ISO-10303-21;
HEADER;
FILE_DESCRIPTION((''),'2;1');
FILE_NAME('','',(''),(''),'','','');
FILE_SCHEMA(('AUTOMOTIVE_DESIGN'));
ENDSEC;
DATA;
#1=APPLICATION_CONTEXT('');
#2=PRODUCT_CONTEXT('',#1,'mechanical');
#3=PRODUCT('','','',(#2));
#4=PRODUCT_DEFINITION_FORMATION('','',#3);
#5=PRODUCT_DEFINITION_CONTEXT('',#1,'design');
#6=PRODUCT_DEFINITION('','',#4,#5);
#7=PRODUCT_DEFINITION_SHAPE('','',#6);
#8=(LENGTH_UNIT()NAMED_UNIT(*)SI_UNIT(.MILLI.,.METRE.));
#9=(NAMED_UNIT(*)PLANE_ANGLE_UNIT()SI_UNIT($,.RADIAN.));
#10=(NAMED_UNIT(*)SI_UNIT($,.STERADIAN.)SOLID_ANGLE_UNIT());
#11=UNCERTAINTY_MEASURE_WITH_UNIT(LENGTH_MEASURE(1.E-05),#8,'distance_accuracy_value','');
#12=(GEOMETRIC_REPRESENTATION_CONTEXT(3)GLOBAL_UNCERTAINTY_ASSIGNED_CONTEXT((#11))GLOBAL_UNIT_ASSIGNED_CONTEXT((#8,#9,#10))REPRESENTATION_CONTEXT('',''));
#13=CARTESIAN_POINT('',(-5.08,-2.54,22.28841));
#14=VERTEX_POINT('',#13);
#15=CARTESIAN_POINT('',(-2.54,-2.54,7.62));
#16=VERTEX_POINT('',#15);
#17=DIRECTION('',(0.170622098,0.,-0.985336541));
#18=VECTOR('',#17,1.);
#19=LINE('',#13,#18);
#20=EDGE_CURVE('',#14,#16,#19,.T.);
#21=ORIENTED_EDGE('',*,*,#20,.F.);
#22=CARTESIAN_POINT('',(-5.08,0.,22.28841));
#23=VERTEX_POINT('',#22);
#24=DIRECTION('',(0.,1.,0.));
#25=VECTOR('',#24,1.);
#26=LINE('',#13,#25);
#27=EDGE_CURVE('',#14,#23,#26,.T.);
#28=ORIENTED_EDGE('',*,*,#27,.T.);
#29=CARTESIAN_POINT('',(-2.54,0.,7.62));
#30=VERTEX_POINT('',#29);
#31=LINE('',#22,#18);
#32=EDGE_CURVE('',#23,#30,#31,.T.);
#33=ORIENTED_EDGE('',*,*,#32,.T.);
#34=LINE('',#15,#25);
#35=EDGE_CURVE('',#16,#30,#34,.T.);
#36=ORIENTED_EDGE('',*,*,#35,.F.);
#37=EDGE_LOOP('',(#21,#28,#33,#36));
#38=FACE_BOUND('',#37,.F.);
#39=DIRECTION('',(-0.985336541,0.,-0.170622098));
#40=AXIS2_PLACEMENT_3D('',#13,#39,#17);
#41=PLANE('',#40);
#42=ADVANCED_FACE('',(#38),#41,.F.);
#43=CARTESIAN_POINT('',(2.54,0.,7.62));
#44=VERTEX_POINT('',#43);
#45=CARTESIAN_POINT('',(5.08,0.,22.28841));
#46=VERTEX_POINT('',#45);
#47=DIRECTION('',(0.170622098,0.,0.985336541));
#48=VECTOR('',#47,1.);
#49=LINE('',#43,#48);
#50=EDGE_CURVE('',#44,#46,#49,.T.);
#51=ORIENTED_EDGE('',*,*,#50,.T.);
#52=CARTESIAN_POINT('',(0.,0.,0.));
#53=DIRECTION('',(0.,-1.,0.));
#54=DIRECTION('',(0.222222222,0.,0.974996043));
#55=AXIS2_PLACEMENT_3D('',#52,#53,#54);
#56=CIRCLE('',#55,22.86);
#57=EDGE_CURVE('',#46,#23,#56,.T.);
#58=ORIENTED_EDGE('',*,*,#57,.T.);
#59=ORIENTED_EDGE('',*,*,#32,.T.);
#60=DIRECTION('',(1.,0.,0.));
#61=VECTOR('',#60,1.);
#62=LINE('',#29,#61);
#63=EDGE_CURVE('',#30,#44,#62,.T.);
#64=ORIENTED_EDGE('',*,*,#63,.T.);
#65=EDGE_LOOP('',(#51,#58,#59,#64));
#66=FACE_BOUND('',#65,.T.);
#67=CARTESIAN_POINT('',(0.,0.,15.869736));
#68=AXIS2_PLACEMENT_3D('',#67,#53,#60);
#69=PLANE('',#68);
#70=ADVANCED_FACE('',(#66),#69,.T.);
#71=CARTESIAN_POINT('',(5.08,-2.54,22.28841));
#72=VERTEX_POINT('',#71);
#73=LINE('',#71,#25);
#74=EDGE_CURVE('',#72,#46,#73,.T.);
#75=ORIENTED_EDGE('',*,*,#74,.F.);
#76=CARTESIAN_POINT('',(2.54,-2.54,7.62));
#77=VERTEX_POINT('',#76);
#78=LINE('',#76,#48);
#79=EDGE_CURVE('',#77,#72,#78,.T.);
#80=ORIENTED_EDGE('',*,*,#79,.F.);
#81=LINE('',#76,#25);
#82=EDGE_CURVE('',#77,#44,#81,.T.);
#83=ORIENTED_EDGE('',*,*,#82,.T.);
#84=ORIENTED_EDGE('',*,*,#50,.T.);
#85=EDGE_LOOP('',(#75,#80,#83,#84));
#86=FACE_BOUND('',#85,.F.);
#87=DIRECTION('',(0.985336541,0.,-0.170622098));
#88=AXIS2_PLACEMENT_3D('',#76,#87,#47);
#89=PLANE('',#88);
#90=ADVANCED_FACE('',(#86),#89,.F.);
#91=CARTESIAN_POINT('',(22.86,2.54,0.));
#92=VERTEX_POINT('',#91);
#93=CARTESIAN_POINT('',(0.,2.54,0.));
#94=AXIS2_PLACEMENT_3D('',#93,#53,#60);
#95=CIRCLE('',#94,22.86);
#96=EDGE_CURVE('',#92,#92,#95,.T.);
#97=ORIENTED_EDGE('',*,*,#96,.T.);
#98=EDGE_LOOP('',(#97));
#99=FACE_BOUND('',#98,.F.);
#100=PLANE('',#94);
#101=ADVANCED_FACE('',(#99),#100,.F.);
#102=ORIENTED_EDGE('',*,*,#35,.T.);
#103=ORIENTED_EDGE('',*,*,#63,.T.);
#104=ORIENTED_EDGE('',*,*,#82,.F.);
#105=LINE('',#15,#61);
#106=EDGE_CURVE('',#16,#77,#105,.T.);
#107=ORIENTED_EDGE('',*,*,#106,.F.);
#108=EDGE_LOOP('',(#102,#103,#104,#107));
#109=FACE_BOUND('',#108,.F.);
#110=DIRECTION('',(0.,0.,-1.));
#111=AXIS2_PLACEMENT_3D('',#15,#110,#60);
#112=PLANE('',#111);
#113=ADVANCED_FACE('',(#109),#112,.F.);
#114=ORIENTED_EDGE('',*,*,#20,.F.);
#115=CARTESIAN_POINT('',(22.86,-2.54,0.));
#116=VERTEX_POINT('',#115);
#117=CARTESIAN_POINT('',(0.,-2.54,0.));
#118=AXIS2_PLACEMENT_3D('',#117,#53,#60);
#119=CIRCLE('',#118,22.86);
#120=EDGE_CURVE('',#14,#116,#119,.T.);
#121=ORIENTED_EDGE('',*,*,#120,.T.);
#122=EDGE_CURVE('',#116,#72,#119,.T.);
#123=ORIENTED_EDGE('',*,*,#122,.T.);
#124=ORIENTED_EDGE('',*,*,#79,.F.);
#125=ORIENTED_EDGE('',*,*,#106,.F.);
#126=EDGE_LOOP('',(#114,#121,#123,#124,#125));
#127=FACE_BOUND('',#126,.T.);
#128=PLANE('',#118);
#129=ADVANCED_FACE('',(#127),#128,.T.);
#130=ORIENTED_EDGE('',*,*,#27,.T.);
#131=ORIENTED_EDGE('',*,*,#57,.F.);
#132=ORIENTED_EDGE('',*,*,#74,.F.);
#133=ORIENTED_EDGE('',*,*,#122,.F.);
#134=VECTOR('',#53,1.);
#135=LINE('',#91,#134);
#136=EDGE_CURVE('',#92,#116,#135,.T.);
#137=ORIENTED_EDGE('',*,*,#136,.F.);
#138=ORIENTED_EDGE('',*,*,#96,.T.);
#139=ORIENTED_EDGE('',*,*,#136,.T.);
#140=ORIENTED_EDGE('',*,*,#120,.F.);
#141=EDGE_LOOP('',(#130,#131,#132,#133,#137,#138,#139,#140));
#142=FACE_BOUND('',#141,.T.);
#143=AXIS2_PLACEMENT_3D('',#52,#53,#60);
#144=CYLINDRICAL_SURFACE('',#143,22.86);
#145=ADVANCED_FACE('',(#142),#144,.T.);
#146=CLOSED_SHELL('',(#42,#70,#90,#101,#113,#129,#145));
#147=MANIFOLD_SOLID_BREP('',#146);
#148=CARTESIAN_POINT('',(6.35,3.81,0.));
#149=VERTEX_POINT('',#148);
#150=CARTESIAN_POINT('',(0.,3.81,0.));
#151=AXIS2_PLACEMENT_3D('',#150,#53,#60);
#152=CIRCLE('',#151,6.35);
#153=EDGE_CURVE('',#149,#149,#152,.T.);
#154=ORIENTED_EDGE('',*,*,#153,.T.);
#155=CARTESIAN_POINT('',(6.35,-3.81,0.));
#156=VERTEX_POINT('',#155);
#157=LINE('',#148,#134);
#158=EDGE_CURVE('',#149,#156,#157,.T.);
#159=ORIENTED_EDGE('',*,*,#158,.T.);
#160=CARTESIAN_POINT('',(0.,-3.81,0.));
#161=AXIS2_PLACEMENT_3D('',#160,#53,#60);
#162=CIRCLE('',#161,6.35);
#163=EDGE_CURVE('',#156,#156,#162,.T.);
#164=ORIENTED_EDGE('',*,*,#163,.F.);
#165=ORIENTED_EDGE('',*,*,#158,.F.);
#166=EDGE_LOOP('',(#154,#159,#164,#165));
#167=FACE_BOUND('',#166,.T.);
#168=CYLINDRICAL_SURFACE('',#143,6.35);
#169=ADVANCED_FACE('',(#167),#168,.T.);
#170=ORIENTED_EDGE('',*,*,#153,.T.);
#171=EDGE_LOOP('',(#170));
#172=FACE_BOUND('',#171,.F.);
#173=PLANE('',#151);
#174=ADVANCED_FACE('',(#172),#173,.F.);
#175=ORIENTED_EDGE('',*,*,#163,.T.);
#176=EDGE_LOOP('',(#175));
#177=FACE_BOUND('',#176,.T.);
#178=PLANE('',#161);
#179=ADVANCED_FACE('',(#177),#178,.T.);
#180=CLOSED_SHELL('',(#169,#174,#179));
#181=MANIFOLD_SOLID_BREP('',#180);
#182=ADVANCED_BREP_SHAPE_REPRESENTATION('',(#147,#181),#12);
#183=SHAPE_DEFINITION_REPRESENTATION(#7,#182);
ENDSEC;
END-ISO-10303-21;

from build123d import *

# Parameters (mm, degrees)
F0_R     = 6.35
F2_DEPTH = 3.81
F1_R     = 22.86
F3_DEPTH = 2.54
F5_DEPTH = 2.54


with BuildPart() as f2:
    # F0 (on Front) → F2 (new body, symmetric)
    with BuildSketch(Plane.XZ):
        Circle(F0_R)
    extrude(amount=F2_DEPTH, both=True)


with BuildPart() as f3:
    # F1 (on Front) → F3 (new body, symmetric)
    with BuildSketch(Plane.XZ):
        Circle(F1_R)
    extrude(amount=F3_DEPTH, both=True)

    # F4 (on face) → F5 (cut)
    with BuildSketch(Plane.XZ.offset(2.54)):
        with BuildLine():
            Line((-5.08, 22.288409544), (-2.54, 7.62))
            Line((-2.54, 7.62), (2.54, 7.62))
            Line((2.54, 7.62), (5.08, 22.288409544))
            ThreePointArc((5.08, 22.288409544), (0, 22.86), (-5.08, 22.288409544))
        make_face()
    extrude(amount=-F5_DEPTH, mode=Mode.SUBTRACT)


solid = Compound([f2.part, f3.part])
